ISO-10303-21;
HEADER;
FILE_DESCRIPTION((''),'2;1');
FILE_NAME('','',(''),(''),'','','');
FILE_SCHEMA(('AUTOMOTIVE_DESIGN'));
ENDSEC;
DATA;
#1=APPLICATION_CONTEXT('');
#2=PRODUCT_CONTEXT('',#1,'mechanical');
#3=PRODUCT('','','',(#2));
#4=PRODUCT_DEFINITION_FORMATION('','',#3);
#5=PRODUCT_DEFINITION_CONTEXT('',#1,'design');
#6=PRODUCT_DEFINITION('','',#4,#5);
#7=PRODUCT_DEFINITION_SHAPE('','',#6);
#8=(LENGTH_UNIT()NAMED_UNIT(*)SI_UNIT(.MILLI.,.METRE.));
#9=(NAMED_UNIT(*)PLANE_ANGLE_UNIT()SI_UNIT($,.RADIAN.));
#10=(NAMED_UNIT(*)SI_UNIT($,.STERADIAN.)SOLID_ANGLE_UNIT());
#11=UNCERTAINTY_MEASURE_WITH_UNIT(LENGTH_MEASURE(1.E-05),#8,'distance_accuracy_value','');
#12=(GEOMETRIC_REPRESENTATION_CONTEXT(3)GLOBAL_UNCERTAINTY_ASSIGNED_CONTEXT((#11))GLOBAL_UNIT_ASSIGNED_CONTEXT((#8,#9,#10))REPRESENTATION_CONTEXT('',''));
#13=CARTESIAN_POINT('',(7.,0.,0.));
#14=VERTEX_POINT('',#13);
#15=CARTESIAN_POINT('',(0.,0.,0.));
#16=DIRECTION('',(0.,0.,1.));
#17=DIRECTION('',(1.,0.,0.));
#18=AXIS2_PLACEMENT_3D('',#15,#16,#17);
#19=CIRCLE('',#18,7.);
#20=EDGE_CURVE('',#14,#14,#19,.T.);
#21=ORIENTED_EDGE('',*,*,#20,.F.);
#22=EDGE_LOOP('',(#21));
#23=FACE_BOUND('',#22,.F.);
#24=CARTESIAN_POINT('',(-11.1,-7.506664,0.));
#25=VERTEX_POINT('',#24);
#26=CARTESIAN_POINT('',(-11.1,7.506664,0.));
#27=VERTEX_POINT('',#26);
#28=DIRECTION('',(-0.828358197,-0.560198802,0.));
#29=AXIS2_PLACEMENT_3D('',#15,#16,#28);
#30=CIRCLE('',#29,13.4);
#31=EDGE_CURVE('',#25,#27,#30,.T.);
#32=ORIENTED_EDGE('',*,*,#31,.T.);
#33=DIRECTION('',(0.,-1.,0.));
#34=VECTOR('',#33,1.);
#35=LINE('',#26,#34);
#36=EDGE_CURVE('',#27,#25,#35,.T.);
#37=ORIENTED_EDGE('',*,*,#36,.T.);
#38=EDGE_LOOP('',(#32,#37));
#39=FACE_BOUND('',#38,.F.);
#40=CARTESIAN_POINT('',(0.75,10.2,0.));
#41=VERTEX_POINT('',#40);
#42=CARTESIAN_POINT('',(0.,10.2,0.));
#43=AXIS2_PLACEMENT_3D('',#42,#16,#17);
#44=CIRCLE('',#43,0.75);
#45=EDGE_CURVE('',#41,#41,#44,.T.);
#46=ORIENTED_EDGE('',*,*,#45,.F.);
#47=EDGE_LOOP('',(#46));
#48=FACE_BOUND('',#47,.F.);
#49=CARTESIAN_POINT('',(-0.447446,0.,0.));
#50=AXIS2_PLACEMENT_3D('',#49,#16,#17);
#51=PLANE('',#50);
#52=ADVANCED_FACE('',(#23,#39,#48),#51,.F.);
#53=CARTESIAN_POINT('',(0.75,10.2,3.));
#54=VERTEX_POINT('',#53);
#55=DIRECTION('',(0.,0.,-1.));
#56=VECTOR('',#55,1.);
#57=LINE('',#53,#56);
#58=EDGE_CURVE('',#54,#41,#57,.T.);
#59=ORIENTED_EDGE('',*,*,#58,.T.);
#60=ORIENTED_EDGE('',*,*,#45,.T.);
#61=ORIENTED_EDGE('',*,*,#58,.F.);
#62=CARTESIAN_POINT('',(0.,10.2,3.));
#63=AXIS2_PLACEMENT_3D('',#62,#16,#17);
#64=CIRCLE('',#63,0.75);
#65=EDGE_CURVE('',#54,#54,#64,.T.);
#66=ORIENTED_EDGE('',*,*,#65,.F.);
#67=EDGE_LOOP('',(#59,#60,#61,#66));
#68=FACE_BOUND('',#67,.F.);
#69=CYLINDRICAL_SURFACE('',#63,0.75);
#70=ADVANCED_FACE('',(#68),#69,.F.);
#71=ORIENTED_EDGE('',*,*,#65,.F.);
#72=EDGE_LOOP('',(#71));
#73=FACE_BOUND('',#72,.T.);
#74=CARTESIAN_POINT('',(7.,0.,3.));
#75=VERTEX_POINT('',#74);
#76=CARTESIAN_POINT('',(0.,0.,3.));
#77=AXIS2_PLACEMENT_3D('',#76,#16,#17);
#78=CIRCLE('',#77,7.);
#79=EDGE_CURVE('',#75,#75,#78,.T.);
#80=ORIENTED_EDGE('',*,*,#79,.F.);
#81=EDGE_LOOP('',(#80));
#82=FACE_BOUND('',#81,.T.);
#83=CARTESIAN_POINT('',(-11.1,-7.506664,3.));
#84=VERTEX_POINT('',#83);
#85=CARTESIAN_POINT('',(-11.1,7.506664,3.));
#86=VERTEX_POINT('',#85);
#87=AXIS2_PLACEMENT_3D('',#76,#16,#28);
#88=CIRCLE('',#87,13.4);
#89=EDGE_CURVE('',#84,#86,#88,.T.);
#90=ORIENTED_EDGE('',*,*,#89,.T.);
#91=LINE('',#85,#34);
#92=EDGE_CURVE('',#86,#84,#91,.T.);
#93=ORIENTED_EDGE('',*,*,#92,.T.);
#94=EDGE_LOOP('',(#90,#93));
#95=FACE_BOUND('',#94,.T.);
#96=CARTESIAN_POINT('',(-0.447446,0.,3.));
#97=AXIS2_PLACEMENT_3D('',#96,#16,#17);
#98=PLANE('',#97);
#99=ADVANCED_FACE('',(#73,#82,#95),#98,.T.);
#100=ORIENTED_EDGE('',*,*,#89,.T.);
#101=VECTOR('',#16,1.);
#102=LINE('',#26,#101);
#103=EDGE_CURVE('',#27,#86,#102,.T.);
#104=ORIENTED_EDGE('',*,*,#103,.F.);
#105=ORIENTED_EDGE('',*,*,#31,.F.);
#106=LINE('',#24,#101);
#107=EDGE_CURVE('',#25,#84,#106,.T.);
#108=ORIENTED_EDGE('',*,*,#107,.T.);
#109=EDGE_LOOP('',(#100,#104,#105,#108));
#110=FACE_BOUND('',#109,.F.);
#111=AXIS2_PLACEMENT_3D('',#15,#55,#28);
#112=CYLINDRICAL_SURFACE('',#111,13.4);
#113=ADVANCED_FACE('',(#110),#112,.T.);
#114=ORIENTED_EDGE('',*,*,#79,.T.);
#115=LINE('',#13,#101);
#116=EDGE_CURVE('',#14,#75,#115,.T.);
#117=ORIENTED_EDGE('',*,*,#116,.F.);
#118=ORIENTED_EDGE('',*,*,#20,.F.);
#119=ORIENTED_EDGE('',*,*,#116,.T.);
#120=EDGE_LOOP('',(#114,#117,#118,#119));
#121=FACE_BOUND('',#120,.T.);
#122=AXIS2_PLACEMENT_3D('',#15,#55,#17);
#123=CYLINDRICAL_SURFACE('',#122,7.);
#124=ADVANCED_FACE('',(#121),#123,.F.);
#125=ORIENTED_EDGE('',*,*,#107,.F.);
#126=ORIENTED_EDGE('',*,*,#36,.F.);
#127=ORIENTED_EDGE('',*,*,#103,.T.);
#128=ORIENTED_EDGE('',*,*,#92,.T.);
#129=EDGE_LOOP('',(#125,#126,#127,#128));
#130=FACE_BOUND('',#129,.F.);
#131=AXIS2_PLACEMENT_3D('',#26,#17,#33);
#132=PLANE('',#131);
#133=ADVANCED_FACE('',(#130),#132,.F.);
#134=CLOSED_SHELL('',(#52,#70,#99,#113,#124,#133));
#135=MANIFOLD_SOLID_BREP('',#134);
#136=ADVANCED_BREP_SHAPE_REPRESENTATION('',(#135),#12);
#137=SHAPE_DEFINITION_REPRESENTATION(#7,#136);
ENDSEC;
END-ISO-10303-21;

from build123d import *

# Parameters (mm, degrees)
F0_R     = 7
F1_DEPTH = 3
F2_R     = 0.75
F3_DEPTH = 3.001


with BuildPart() as f1:
    # F0 (on Top) → F1 (new body)
    with BuildSketch(Plane.XY):
        with BuildLine():
            Line((-11.1, 7.506664), (-11.1, -7.506664))
            ThreePointArc((-11.1, -7.506664), (13.4, 0), (-11.1, 7.506664))
        make_face()
        Circle(F0_R, mode=Mode.SUBTRACT)
    extrude(amount=F1_DEPTH)

    # F2 (on face) → F3 (cut, through all)
    with BuildSketch(Plane.XY.offset(3)):
        with Locations((0, 10.2)):
            Circle(F2_R)
    extrude(amount=-F3_DEPTH, mode=Mode.SUBTRACT)


solid = f1.part
